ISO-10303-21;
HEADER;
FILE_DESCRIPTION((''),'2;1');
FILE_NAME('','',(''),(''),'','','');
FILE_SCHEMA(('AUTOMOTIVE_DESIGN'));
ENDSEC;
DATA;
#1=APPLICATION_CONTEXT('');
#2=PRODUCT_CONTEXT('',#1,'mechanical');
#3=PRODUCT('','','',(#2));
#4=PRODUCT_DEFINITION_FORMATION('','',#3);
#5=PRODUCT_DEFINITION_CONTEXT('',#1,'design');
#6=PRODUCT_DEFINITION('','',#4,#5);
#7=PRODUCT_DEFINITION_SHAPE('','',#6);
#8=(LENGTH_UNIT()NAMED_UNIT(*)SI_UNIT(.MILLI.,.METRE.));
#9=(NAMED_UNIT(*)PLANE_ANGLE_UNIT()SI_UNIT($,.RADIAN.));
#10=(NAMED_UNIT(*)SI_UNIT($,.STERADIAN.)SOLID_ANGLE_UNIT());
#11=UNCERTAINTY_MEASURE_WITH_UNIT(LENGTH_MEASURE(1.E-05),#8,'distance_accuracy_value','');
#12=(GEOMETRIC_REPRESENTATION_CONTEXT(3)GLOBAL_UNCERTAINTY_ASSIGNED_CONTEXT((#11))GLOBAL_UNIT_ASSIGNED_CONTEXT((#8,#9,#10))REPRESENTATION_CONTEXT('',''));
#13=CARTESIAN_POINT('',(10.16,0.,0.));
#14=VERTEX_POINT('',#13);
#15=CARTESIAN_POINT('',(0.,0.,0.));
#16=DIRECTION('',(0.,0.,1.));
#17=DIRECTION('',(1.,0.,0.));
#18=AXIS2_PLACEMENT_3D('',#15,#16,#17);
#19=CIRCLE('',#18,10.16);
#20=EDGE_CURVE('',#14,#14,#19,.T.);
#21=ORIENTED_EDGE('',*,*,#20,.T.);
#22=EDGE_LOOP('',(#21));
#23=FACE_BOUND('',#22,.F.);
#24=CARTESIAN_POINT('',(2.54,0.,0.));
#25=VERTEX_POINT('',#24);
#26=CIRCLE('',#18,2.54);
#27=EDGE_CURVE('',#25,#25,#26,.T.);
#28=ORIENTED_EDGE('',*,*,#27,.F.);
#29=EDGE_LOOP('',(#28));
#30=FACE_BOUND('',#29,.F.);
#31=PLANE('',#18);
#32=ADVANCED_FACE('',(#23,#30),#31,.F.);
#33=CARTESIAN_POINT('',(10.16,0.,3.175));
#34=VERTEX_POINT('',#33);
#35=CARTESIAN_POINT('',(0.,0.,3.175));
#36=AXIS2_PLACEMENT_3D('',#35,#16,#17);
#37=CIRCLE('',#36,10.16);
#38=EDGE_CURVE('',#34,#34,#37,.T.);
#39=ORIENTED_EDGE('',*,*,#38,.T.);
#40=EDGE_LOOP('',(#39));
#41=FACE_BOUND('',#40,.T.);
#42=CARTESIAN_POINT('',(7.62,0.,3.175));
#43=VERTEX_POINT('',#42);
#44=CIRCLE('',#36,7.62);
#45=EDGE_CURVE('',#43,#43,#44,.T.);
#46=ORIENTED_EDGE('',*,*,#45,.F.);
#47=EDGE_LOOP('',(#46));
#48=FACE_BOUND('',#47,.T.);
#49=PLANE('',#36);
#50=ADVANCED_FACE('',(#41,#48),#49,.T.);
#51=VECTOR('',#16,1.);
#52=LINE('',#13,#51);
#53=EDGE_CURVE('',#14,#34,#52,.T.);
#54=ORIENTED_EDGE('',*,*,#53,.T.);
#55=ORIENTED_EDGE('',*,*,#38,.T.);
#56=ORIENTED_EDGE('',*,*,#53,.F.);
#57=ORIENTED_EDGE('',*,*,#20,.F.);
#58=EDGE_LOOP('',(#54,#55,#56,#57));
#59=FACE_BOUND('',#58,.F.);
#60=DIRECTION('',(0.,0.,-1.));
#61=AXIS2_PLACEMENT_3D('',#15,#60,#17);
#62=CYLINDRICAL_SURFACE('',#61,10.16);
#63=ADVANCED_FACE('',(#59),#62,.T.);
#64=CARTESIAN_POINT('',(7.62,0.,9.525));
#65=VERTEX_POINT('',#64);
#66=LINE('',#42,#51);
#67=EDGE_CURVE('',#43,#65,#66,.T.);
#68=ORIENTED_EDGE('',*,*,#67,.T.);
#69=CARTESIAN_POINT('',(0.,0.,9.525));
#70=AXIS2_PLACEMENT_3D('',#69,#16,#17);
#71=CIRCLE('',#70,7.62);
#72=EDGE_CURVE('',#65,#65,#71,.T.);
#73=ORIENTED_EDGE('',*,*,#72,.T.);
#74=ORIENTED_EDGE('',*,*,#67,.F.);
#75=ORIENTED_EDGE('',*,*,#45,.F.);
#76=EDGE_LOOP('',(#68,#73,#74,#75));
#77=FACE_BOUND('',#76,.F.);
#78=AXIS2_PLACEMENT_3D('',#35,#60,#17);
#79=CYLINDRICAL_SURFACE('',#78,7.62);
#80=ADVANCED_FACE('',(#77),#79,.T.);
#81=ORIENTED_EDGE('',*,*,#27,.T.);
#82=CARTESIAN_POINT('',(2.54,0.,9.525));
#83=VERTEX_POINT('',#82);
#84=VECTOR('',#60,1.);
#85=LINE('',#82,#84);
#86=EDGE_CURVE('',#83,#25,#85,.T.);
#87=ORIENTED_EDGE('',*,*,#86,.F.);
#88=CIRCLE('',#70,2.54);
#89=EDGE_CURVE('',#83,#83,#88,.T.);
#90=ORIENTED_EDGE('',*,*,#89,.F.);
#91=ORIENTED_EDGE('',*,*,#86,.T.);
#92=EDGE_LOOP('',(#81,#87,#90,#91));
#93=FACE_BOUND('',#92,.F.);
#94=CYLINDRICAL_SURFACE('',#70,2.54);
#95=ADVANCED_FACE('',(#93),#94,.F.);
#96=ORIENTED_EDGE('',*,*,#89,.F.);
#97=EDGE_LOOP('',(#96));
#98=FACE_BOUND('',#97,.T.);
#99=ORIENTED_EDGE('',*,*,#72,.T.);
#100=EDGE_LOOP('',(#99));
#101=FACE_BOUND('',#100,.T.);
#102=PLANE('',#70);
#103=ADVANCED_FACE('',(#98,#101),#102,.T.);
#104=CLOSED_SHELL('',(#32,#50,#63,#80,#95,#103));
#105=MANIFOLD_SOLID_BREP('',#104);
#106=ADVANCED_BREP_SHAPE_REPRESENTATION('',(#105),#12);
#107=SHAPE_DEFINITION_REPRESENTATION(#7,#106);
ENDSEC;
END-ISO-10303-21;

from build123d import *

# Parameters (mm, degrees)
F0_R     = 10.16
F1_DEPTH = 3.175
F2_R     = 7.62
F3_DEPTH = 6.35
F4_R     = 2.54
F5_DEPTH = 9.525


with BuildPart() as f1:
    # F0 (on Top) → F1 (new body)
    with BuildSketch(Plane.XY):
        Circle(F0_R)
    extrude(amount=F1_DEPTH)

    # F2 (on face) → F3 (join)
    with BuildSketch(Plane.XY.offset(3.175)):
        Circle(F2_R)
    extrude(amount=F3_DEPTH)

    # F4 (on face) → F5 (cut, through all)
    with BuildSketch(Plane.XY.offset(9.525)):
        Circle(F4_R)
    extrude(amount=-F5_DEPTH, mode=Mode.SUBTRACT)


solid = f1.part
